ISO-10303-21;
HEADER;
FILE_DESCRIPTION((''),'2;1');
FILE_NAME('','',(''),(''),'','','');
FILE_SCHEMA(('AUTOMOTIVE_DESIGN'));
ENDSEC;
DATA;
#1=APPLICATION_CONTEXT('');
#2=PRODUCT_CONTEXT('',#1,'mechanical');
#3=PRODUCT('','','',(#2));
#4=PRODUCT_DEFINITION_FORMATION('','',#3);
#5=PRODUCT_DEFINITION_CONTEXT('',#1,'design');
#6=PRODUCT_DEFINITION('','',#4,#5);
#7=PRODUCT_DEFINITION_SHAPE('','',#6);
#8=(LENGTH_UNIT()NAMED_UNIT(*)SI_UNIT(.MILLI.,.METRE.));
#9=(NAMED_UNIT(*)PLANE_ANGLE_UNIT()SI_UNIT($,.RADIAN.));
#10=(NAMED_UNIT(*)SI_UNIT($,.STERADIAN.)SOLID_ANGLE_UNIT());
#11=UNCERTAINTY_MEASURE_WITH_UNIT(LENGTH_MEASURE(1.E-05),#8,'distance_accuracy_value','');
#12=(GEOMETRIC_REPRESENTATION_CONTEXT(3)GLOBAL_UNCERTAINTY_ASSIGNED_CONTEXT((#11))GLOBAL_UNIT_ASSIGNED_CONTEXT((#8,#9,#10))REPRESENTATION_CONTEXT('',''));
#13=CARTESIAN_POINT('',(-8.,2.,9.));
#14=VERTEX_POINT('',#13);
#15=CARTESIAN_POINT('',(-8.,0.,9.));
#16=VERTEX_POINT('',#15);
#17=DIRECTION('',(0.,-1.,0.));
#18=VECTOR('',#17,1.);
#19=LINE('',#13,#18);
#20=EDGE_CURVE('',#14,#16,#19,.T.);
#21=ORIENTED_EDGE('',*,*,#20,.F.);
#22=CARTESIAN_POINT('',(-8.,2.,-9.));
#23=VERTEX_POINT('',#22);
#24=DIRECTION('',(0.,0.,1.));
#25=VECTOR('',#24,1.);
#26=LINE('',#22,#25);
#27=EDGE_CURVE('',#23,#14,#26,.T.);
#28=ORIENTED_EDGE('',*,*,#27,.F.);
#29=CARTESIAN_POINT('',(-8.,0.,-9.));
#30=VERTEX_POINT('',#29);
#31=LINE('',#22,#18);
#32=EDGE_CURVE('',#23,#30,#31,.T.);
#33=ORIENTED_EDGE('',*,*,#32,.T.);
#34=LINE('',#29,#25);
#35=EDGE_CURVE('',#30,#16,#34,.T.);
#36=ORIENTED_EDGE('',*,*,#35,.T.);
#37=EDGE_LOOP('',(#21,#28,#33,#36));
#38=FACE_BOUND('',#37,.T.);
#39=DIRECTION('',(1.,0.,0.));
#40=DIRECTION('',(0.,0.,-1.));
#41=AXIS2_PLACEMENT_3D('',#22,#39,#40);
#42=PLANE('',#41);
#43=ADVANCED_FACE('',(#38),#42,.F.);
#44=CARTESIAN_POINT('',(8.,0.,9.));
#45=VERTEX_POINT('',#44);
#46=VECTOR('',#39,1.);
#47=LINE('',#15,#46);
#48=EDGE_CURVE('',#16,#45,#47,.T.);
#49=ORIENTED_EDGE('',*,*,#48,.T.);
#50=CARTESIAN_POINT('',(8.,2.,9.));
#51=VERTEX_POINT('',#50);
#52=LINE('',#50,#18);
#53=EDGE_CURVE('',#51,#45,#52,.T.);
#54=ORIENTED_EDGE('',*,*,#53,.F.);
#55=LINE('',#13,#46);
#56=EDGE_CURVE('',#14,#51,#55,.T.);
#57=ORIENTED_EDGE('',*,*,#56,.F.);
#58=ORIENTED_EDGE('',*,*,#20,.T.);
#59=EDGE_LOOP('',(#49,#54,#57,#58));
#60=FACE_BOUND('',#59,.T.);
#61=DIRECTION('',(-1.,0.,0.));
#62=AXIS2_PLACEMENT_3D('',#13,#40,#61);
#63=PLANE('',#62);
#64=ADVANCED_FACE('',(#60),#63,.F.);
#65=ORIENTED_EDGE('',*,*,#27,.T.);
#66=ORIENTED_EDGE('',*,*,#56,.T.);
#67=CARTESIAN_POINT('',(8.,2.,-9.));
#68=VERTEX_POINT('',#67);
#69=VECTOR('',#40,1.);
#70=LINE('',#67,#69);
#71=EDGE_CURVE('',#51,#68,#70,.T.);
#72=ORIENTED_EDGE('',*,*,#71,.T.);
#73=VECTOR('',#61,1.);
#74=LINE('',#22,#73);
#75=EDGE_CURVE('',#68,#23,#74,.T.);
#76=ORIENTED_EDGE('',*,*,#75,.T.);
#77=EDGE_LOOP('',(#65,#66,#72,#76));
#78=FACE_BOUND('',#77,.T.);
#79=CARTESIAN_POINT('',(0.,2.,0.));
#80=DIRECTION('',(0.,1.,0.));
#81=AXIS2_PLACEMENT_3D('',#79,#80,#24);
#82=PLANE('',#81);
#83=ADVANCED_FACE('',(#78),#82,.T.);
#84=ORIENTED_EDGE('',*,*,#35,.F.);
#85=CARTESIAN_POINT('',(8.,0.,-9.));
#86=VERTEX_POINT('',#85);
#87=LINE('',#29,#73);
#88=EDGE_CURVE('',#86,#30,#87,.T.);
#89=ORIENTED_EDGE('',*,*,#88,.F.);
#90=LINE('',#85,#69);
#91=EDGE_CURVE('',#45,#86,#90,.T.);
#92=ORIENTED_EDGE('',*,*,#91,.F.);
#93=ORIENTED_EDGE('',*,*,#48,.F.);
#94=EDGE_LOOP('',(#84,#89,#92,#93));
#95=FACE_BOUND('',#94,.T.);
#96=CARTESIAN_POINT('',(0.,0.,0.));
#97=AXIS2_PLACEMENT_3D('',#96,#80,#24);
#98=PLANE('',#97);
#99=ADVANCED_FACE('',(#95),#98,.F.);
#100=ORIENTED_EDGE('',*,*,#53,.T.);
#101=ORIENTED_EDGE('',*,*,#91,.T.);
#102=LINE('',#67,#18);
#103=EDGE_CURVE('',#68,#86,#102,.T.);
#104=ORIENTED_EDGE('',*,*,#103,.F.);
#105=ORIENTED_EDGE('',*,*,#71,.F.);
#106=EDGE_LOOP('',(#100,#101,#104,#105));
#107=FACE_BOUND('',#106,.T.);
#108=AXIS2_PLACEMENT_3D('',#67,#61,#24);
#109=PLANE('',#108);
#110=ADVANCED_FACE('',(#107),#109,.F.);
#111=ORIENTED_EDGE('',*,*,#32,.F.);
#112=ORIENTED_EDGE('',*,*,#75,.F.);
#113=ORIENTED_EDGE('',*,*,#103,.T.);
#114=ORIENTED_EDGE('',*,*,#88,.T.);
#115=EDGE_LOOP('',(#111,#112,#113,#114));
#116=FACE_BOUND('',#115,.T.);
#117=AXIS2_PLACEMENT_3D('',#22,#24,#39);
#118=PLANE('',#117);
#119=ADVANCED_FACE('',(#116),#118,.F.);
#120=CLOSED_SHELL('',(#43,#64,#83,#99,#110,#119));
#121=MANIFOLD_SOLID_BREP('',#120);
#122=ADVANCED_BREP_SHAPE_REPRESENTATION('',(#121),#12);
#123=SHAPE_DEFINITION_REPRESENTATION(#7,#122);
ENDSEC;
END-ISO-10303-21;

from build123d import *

# Parameters (mm, degrees)
SKETCH_1_W      = 16
SKETCH_1_H      = 18
EXTRUDE_1_DEPTH = 2


with BuildPart() as part:
    # Эскиз1 → Бобышка-Вытянуть1 (new body)
    with BuildSketch(Plane(origin=(0, 0, 0), x_dir=(1, 0, 0), z_dir=(0, 1, 0))):
        Rectangle(SKETCH_1_W, SKETCH_1_H)
    extrude(amount=EXTRUDE_1_DEPTH)


solid = part.part
